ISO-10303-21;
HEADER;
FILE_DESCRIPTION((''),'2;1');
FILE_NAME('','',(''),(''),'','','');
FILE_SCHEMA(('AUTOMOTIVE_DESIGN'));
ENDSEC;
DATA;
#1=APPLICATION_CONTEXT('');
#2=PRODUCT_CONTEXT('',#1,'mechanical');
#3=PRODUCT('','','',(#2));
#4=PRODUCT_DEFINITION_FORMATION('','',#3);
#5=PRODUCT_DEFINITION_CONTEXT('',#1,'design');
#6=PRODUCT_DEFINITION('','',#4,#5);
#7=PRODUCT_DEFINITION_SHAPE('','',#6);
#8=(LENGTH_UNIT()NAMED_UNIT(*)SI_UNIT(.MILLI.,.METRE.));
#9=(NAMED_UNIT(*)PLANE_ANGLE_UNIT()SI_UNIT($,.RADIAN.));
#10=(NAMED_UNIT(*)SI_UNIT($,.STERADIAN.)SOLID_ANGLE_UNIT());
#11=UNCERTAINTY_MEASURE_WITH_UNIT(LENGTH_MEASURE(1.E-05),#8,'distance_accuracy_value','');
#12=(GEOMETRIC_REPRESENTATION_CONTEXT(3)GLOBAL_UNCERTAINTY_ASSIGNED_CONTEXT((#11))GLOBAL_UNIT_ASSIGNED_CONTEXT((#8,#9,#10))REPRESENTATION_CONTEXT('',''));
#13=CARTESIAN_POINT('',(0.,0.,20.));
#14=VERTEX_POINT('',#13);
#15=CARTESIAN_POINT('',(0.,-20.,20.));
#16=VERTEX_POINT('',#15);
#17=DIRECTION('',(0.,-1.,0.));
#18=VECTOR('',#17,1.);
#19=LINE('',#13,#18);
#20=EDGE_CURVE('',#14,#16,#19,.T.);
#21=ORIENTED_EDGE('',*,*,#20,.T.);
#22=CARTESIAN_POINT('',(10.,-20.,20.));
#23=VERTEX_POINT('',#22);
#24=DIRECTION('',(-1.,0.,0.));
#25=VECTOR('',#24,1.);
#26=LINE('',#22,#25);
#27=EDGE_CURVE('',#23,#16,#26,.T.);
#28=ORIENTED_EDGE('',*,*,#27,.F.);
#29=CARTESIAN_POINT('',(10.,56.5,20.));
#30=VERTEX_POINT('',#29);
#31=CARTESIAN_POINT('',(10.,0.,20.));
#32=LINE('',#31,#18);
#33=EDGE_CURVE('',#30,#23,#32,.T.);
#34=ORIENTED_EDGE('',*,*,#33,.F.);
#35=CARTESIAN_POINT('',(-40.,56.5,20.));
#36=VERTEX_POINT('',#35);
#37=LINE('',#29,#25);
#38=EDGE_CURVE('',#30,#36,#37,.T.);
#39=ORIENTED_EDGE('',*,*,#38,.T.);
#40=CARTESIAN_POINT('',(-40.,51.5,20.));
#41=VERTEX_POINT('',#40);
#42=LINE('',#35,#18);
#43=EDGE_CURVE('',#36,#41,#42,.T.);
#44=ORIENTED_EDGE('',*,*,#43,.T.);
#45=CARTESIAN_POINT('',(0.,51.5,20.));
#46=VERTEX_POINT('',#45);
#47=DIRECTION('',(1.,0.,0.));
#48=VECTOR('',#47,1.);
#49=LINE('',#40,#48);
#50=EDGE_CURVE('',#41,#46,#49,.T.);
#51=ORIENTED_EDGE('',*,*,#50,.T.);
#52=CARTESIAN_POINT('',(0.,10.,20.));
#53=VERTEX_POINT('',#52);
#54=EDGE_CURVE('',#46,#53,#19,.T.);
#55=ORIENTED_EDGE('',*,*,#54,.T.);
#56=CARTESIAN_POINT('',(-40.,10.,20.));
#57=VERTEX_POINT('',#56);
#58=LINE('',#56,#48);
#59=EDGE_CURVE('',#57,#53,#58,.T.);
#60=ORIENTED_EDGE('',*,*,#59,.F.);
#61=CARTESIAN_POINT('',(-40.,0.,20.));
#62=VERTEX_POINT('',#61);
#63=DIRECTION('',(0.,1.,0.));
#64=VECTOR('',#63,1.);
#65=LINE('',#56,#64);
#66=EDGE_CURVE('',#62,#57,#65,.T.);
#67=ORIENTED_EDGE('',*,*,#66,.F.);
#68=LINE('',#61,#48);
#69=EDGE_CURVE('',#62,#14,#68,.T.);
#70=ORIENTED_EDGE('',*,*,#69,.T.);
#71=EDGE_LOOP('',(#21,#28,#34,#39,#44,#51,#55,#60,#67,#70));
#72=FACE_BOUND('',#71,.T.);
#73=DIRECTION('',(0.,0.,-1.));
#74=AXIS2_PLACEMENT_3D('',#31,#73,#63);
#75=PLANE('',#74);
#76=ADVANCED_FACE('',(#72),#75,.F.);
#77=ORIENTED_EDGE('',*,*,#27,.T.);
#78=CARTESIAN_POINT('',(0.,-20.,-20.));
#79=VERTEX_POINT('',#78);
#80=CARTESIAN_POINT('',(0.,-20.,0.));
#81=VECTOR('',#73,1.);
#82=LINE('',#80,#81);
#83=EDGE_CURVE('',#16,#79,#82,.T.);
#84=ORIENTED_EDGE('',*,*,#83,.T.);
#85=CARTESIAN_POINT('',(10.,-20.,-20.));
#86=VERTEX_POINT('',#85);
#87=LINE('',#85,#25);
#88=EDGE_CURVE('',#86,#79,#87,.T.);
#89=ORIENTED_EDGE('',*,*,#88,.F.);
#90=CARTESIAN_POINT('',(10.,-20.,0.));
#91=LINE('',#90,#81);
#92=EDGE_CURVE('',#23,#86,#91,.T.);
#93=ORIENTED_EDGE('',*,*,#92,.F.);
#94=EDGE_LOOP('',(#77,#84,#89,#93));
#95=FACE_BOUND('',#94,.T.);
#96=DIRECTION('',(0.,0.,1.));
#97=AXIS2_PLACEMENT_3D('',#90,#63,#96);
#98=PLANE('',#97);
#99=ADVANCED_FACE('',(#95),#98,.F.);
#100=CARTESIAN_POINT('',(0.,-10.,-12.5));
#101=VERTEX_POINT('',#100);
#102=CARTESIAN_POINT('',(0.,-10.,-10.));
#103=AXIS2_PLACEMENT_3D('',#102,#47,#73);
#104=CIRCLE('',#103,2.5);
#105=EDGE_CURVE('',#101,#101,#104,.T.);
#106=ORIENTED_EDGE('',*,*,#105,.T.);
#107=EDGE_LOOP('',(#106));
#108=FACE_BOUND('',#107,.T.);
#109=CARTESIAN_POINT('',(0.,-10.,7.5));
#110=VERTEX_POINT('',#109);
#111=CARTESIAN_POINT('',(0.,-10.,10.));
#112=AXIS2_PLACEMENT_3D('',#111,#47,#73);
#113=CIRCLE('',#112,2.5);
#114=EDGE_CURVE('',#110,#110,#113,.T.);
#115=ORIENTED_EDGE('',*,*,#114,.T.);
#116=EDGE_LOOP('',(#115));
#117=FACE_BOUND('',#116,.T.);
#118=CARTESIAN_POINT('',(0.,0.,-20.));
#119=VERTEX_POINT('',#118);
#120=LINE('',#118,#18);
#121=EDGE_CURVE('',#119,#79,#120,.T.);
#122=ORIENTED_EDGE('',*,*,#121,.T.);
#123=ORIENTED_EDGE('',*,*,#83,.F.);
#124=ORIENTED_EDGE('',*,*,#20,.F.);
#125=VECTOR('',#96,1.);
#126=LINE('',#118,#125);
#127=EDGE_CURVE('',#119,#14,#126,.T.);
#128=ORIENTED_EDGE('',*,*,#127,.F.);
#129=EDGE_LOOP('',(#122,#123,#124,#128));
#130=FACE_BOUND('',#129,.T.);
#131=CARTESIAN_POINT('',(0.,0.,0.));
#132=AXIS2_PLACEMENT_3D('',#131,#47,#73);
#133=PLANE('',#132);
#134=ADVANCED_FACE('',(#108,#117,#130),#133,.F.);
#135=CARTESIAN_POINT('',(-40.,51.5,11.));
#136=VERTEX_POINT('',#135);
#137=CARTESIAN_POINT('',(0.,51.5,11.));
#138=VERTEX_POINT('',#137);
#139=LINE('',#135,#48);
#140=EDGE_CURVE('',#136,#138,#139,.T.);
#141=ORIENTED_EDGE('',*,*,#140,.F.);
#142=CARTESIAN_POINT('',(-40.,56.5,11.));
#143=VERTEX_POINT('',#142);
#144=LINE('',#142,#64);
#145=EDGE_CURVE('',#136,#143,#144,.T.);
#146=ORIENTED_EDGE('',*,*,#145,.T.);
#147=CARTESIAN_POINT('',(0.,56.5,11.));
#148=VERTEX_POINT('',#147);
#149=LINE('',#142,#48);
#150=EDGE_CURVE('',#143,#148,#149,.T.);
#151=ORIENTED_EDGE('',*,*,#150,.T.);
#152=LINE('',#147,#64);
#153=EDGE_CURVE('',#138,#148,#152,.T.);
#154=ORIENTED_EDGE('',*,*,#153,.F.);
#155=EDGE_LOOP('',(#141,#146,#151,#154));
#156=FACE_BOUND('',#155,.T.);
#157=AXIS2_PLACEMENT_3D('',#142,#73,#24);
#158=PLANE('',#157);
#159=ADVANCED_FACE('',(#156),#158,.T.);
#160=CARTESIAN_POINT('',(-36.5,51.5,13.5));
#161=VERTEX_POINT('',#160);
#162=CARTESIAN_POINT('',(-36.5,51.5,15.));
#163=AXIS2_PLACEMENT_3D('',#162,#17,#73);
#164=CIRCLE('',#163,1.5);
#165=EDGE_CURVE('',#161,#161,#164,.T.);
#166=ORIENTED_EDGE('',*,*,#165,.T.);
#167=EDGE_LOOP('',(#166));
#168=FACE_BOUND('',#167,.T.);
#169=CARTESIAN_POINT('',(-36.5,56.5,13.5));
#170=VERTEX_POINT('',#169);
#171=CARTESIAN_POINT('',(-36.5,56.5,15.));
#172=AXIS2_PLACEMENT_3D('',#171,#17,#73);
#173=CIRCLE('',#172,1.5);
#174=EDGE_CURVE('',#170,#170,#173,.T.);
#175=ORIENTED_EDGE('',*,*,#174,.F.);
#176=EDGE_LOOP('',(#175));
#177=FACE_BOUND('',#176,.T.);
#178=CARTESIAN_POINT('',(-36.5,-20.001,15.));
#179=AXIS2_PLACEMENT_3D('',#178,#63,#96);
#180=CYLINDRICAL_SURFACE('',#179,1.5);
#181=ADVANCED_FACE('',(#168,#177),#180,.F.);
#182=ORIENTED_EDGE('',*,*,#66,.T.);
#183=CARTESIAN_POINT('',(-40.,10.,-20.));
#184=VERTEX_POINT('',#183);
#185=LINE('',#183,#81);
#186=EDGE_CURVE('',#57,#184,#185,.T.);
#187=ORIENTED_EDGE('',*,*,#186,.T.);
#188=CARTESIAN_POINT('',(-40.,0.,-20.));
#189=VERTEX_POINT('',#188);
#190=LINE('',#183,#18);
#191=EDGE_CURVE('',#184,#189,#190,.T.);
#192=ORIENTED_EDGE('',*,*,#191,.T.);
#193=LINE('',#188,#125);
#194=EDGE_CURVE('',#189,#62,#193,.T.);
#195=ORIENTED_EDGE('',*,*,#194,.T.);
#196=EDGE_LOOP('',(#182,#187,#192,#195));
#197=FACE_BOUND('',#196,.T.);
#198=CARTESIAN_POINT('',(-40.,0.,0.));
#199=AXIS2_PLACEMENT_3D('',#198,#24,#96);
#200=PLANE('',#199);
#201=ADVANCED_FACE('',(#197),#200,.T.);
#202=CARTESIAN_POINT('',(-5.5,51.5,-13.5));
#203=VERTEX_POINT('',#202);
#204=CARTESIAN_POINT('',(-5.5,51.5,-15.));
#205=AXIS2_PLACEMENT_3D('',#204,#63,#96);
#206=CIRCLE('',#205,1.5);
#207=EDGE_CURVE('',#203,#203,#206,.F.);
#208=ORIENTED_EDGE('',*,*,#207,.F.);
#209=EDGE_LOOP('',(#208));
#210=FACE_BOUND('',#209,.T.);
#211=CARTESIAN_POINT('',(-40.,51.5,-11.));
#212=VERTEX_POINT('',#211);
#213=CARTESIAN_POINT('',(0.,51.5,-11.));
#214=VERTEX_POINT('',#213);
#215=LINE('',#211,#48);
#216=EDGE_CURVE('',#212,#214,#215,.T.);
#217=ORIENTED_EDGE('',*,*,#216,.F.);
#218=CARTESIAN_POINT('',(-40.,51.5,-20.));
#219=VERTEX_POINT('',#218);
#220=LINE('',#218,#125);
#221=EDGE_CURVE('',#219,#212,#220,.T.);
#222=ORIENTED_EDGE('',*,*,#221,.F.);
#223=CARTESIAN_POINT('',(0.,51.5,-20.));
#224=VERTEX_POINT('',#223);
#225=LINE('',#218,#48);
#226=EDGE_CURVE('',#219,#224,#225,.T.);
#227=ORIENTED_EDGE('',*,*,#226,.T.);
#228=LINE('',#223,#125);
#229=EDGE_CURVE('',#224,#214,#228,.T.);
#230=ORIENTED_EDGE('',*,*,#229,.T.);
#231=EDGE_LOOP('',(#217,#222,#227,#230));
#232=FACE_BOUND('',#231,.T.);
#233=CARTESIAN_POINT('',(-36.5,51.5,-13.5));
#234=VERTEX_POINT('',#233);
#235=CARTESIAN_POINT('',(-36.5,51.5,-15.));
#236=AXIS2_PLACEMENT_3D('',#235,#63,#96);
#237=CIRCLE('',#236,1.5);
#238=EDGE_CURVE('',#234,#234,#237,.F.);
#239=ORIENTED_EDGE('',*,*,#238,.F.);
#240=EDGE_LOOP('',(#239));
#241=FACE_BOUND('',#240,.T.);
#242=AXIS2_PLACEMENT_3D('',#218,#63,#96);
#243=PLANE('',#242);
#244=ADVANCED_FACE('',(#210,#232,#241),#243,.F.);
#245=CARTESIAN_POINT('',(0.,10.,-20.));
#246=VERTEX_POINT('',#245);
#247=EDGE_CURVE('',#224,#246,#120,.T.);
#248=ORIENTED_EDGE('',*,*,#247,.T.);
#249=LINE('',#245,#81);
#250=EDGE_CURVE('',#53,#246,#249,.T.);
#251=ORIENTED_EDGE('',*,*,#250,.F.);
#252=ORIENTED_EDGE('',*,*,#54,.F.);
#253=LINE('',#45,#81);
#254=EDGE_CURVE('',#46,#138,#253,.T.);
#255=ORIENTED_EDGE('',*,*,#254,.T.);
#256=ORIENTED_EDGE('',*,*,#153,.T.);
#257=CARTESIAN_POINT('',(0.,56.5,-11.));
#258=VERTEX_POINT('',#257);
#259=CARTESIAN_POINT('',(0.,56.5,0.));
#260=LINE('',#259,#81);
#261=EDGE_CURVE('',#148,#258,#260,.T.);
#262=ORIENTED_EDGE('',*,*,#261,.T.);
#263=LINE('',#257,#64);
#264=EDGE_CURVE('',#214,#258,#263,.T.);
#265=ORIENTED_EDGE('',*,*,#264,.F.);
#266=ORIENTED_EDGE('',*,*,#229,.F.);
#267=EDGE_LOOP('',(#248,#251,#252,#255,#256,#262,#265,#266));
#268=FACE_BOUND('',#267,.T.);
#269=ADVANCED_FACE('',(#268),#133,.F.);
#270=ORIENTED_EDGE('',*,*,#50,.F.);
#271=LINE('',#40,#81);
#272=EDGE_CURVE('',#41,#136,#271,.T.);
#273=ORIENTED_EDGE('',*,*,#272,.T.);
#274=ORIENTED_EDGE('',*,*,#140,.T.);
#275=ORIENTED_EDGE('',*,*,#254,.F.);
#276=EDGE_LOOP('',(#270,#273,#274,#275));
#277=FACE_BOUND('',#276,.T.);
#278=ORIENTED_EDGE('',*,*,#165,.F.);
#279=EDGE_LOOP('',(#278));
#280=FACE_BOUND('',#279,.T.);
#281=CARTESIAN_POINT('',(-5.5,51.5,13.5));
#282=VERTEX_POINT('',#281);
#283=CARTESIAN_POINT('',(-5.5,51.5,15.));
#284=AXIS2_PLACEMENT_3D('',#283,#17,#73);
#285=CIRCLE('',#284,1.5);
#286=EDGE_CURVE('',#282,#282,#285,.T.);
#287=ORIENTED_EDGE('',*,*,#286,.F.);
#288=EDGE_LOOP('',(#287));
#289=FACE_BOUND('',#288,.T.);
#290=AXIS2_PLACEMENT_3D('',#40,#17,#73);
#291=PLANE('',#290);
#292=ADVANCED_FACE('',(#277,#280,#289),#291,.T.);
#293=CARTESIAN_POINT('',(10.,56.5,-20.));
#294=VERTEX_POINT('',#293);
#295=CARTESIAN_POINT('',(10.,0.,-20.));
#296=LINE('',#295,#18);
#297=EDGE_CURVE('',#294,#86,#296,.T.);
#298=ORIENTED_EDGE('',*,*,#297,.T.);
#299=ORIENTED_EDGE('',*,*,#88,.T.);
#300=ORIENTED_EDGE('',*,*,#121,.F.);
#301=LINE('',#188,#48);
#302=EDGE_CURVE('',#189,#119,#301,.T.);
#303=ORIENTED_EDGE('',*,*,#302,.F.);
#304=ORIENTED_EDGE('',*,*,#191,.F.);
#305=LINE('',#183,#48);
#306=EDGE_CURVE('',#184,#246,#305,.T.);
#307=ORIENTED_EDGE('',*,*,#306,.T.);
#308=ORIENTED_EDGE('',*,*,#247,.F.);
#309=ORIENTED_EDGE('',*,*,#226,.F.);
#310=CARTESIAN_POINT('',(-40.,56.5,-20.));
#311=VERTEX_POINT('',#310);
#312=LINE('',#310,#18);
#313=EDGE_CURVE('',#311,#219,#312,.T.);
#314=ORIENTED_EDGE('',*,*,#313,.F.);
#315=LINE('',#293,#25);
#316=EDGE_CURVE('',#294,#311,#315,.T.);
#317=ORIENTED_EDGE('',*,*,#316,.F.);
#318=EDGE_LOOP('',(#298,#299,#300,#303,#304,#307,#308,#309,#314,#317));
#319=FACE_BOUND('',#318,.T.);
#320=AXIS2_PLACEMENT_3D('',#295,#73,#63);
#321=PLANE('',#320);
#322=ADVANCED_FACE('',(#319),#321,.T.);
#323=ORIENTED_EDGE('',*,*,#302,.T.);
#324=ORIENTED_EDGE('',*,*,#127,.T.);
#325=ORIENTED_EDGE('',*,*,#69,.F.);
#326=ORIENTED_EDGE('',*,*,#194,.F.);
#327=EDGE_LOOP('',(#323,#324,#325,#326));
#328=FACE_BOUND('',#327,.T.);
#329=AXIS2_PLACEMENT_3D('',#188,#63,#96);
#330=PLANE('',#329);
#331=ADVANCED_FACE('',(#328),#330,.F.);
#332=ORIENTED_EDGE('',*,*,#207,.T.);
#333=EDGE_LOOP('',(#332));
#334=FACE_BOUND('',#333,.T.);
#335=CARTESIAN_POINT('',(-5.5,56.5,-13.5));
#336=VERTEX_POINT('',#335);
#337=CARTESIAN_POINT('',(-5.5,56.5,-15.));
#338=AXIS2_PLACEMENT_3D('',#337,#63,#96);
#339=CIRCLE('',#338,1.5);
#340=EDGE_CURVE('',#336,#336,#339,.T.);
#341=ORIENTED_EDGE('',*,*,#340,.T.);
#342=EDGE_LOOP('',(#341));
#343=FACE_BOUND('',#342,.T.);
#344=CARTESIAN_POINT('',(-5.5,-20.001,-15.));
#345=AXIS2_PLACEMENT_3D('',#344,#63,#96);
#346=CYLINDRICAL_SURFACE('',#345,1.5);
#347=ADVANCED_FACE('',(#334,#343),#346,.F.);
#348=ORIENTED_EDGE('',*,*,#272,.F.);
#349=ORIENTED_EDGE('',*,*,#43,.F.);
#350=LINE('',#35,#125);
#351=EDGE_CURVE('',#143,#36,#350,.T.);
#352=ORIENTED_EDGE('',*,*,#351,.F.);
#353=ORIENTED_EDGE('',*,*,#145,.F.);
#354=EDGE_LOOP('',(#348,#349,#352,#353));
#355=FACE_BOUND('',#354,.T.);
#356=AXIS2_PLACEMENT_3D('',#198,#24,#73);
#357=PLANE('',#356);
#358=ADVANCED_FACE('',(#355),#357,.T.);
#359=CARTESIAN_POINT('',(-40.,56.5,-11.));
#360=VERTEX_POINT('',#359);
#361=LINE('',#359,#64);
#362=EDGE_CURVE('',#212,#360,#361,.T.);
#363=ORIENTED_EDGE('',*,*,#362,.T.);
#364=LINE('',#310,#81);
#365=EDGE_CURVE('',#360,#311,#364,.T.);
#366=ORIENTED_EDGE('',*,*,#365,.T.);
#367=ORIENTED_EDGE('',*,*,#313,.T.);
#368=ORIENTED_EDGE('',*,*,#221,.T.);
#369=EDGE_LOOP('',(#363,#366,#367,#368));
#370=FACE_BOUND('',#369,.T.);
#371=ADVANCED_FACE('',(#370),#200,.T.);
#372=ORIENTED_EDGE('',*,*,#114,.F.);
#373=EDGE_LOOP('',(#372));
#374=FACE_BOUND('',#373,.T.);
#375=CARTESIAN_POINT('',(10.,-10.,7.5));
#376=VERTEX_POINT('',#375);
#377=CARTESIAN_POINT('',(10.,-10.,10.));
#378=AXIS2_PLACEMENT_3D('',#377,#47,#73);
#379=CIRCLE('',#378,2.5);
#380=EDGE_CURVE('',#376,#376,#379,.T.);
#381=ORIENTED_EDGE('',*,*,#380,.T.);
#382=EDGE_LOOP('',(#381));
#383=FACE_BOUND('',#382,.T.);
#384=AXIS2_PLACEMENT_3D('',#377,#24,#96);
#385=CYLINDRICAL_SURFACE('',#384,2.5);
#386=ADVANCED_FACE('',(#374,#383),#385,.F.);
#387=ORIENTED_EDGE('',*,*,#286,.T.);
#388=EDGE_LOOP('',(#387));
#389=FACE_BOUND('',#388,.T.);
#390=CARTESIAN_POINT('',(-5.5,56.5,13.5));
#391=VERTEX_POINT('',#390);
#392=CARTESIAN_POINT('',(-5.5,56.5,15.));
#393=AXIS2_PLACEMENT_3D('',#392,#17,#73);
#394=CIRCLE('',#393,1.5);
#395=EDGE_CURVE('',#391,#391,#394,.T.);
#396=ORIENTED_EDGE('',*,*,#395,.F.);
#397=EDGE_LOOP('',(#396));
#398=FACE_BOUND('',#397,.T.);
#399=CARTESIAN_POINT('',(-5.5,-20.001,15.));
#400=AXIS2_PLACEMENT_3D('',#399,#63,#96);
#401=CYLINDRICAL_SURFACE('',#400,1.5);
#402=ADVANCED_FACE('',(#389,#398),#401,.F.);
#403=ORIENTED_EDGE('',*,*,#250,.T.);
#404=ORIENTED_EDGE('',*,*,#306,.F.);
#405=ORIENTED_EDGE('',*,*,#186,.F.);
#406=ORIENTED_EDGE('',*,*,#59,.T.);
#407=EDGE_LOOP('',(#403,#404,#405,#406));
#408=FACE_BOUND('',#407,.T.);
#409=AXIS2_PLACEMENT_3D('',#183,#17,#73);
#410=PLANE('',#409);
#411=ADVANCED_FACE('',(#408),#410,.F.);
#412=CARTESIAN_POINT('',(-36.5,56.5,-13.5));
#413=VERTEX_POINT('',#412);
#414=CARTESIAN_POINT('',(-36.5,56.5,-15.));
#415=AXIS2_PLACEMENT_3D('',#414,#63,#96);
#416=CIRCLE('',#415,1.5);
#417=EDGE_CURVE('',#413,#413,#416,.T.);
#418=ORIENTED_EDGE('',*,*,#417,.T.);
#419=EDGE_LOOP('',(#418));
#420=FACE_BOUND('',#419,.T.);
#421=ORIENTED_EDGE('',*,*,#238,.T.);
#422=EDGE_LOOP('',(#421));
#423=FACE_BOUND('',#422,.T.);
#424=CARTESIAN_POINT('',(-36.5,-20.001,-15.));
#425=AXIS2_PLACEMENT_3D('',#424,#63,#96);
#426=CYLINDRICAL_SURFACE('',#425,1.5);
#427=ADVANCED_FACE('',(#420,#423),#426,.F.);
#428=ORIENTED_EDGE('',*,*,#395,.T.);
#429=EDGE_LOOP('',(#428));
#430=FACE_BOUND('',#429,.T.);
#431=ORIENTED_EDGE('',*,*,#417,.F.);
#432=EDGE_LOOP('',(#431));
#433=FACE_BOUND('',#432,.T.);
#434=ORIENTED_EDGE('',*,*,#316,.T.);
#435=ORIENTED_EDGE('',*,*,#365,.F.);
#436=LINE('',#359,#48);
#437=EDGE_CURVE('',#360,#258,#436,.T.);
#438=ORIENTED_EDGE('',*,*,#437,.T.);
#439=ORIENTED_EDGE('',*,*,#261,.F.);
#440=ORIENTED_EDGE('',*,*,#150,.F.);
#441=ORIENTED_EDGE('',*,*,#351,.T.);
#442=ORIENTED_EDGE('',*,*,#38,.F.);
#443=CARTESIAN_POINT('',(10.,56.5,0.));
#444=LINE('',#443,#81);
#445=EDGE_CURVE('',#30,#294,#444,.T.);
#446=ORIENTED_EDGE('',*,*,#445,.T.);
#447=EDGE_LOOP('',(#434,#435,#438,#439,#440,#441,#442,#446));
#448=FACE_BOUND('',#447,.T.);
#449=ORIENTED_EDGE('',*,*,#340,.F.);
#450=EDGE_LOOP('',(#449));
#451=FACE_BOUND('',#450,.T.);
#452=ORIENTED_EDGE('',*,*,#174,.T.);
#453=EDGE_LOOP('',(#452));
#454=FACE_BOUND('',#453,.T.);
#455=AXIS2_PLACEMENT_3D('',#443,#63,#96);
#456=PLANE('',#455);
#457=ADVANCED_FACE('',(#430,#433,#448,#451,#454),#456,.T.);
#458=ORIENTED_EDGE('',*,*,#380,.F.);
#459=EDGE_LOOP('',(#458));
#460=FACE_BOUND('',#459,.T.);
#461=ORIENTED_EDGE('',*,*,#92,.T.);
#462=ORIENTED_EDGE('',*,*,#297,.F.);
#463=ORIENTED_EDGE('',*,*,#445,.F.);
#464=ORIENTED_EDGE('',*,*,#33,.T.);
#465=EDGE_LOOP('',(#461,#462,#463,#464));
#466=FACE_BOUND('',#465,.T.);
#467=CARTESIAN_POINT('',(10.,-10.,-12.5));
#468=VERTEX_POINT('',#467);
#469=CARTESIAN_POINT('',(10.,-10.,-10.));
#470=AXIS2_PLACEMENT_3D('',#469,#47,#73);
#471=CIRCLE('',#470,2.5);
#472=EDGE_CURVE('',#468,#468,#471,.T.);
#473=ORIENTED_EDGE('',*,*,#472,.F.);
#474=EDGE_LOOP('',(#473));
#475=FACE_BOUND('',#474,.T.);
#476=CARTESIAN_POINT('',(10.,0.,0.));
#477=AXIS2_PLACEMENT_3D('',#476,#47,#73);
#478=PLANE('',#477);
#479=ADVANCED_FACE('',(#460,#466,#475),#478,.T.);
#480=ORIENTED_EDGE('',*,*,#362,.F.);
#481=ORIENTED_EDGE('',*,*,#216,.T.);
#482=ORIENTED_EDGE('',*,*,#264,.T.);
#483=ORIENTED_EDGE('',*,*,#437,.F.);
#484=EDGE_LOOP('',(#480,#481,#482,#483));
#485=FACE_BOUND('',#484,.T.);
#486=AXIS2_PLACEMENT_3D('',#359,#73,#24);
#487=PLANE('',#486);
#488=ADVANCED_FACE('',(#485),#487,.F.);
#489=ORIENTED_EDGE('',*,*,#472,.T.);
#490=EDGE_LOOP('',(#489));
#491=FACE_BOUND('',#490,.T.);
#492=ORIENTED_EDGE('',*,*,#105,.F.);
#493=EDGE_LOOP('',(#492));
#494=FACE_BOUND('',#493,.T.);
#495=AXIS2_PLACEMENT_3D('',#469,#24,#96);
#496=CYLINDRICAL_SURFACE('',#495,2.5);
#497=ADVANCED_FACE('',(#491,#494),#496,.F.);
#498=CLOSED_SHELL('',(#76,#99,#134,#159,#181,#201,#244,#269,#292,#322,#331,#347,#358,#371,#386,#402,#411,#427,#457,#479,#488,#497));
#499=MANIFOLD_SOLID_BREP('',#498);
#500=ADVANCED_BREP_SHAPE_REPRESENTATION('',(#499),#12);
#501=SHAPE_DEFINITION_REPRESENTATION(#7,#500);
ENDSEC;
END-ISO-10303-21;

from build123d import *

# Parameters (mm, degrees)
SKETCH1_W           = 40
SKETCH1_H           = 56.5
SKETCH1_H_2         = 20
SKETCH1_R           = 2.5
BOSS_EXTRUDE1_DEPTH = 10
SKETCH3_W           = 40
SKETCH3_H           = 10
BOSS_EXTRUDE2_DEPTH = 40
SKETCH4_W           = 9
SKETCH4_H           = 5
BOSS_EXTRUDE3_DEPTH = 40
SKETCH5_R           = 1.5
CUT_EXTRUDE1_DEPTH  = 5


with BuildPart() as part:
    # Sketch1 → Boss-Extrude1 (new body)
    with BuildSketch(Plane(origin=(0, 0, 0), x_dir=(0, 0, -1), z_dir=(1, 0, 0))):
        with Locations((0, 28.25)):
            Rectangle(SKETCH1_W, SKETCH1_H)
        with Locations((0, -10)):
            Rectangle(SKETCH1_W, SKETCH1_H_2)
        with Locations((10, -10)):
            Circle(SKETCH1_R, mode=Mode.SUBTRACT)
        with Locations((-10, -10)):
            Circle(SKETCH1_R, mode=Mode.SUBTRACT)
    extrude(amount=BOSS_EXTRUDE1_DEPTH)

    # Sketch3 → Boss-Extrude2 (add)
    with BuildSketch(Plane.ZY):
        with Locations((0, 5)):
            Rectangle(SKETCH3_W, SKETCH3_H)
    extrude(amount=BOSS_EXTRUDE2_DEPTH)

    # Sketch4 → Boss-Extrude3 (add)
    with BuildSketch(Plane.ZY):
        with Locations((-15.5, 54)):
            Rectangle(SKETCH4_W, SKETCH4_H)
    boss_extrude3 = extrude(amount=BOSS_EXTRUDE3_DEPTH)

    # Sketch5 → Cut-Extrude1 (cut)
    with BuildSketch(Plane(origin=(0, 56.5, 0), x_dir=(1, 0, 0), z_dir=(0, 1, 0))):
        with Locations((-36.5, 15)):
            Circle(SKETCH5_R)
        with Locations((-5.5, 15)):
            Circle(SKETCH5_R)
    cut_extrude1 = extrude(amount=-CUT_EXTRUDE1_DEPTH, mode=Mode.SUBTRACT)

    # Mirror2: Boss-Extrude3, Cut-Extrude1 across plane
    add(boss_extrude3.mirror(Plane.XY))
    add(cut_extrude1.mirror(Plane.XY), mode=Mode.SUBTRACT)


solid = part.part
